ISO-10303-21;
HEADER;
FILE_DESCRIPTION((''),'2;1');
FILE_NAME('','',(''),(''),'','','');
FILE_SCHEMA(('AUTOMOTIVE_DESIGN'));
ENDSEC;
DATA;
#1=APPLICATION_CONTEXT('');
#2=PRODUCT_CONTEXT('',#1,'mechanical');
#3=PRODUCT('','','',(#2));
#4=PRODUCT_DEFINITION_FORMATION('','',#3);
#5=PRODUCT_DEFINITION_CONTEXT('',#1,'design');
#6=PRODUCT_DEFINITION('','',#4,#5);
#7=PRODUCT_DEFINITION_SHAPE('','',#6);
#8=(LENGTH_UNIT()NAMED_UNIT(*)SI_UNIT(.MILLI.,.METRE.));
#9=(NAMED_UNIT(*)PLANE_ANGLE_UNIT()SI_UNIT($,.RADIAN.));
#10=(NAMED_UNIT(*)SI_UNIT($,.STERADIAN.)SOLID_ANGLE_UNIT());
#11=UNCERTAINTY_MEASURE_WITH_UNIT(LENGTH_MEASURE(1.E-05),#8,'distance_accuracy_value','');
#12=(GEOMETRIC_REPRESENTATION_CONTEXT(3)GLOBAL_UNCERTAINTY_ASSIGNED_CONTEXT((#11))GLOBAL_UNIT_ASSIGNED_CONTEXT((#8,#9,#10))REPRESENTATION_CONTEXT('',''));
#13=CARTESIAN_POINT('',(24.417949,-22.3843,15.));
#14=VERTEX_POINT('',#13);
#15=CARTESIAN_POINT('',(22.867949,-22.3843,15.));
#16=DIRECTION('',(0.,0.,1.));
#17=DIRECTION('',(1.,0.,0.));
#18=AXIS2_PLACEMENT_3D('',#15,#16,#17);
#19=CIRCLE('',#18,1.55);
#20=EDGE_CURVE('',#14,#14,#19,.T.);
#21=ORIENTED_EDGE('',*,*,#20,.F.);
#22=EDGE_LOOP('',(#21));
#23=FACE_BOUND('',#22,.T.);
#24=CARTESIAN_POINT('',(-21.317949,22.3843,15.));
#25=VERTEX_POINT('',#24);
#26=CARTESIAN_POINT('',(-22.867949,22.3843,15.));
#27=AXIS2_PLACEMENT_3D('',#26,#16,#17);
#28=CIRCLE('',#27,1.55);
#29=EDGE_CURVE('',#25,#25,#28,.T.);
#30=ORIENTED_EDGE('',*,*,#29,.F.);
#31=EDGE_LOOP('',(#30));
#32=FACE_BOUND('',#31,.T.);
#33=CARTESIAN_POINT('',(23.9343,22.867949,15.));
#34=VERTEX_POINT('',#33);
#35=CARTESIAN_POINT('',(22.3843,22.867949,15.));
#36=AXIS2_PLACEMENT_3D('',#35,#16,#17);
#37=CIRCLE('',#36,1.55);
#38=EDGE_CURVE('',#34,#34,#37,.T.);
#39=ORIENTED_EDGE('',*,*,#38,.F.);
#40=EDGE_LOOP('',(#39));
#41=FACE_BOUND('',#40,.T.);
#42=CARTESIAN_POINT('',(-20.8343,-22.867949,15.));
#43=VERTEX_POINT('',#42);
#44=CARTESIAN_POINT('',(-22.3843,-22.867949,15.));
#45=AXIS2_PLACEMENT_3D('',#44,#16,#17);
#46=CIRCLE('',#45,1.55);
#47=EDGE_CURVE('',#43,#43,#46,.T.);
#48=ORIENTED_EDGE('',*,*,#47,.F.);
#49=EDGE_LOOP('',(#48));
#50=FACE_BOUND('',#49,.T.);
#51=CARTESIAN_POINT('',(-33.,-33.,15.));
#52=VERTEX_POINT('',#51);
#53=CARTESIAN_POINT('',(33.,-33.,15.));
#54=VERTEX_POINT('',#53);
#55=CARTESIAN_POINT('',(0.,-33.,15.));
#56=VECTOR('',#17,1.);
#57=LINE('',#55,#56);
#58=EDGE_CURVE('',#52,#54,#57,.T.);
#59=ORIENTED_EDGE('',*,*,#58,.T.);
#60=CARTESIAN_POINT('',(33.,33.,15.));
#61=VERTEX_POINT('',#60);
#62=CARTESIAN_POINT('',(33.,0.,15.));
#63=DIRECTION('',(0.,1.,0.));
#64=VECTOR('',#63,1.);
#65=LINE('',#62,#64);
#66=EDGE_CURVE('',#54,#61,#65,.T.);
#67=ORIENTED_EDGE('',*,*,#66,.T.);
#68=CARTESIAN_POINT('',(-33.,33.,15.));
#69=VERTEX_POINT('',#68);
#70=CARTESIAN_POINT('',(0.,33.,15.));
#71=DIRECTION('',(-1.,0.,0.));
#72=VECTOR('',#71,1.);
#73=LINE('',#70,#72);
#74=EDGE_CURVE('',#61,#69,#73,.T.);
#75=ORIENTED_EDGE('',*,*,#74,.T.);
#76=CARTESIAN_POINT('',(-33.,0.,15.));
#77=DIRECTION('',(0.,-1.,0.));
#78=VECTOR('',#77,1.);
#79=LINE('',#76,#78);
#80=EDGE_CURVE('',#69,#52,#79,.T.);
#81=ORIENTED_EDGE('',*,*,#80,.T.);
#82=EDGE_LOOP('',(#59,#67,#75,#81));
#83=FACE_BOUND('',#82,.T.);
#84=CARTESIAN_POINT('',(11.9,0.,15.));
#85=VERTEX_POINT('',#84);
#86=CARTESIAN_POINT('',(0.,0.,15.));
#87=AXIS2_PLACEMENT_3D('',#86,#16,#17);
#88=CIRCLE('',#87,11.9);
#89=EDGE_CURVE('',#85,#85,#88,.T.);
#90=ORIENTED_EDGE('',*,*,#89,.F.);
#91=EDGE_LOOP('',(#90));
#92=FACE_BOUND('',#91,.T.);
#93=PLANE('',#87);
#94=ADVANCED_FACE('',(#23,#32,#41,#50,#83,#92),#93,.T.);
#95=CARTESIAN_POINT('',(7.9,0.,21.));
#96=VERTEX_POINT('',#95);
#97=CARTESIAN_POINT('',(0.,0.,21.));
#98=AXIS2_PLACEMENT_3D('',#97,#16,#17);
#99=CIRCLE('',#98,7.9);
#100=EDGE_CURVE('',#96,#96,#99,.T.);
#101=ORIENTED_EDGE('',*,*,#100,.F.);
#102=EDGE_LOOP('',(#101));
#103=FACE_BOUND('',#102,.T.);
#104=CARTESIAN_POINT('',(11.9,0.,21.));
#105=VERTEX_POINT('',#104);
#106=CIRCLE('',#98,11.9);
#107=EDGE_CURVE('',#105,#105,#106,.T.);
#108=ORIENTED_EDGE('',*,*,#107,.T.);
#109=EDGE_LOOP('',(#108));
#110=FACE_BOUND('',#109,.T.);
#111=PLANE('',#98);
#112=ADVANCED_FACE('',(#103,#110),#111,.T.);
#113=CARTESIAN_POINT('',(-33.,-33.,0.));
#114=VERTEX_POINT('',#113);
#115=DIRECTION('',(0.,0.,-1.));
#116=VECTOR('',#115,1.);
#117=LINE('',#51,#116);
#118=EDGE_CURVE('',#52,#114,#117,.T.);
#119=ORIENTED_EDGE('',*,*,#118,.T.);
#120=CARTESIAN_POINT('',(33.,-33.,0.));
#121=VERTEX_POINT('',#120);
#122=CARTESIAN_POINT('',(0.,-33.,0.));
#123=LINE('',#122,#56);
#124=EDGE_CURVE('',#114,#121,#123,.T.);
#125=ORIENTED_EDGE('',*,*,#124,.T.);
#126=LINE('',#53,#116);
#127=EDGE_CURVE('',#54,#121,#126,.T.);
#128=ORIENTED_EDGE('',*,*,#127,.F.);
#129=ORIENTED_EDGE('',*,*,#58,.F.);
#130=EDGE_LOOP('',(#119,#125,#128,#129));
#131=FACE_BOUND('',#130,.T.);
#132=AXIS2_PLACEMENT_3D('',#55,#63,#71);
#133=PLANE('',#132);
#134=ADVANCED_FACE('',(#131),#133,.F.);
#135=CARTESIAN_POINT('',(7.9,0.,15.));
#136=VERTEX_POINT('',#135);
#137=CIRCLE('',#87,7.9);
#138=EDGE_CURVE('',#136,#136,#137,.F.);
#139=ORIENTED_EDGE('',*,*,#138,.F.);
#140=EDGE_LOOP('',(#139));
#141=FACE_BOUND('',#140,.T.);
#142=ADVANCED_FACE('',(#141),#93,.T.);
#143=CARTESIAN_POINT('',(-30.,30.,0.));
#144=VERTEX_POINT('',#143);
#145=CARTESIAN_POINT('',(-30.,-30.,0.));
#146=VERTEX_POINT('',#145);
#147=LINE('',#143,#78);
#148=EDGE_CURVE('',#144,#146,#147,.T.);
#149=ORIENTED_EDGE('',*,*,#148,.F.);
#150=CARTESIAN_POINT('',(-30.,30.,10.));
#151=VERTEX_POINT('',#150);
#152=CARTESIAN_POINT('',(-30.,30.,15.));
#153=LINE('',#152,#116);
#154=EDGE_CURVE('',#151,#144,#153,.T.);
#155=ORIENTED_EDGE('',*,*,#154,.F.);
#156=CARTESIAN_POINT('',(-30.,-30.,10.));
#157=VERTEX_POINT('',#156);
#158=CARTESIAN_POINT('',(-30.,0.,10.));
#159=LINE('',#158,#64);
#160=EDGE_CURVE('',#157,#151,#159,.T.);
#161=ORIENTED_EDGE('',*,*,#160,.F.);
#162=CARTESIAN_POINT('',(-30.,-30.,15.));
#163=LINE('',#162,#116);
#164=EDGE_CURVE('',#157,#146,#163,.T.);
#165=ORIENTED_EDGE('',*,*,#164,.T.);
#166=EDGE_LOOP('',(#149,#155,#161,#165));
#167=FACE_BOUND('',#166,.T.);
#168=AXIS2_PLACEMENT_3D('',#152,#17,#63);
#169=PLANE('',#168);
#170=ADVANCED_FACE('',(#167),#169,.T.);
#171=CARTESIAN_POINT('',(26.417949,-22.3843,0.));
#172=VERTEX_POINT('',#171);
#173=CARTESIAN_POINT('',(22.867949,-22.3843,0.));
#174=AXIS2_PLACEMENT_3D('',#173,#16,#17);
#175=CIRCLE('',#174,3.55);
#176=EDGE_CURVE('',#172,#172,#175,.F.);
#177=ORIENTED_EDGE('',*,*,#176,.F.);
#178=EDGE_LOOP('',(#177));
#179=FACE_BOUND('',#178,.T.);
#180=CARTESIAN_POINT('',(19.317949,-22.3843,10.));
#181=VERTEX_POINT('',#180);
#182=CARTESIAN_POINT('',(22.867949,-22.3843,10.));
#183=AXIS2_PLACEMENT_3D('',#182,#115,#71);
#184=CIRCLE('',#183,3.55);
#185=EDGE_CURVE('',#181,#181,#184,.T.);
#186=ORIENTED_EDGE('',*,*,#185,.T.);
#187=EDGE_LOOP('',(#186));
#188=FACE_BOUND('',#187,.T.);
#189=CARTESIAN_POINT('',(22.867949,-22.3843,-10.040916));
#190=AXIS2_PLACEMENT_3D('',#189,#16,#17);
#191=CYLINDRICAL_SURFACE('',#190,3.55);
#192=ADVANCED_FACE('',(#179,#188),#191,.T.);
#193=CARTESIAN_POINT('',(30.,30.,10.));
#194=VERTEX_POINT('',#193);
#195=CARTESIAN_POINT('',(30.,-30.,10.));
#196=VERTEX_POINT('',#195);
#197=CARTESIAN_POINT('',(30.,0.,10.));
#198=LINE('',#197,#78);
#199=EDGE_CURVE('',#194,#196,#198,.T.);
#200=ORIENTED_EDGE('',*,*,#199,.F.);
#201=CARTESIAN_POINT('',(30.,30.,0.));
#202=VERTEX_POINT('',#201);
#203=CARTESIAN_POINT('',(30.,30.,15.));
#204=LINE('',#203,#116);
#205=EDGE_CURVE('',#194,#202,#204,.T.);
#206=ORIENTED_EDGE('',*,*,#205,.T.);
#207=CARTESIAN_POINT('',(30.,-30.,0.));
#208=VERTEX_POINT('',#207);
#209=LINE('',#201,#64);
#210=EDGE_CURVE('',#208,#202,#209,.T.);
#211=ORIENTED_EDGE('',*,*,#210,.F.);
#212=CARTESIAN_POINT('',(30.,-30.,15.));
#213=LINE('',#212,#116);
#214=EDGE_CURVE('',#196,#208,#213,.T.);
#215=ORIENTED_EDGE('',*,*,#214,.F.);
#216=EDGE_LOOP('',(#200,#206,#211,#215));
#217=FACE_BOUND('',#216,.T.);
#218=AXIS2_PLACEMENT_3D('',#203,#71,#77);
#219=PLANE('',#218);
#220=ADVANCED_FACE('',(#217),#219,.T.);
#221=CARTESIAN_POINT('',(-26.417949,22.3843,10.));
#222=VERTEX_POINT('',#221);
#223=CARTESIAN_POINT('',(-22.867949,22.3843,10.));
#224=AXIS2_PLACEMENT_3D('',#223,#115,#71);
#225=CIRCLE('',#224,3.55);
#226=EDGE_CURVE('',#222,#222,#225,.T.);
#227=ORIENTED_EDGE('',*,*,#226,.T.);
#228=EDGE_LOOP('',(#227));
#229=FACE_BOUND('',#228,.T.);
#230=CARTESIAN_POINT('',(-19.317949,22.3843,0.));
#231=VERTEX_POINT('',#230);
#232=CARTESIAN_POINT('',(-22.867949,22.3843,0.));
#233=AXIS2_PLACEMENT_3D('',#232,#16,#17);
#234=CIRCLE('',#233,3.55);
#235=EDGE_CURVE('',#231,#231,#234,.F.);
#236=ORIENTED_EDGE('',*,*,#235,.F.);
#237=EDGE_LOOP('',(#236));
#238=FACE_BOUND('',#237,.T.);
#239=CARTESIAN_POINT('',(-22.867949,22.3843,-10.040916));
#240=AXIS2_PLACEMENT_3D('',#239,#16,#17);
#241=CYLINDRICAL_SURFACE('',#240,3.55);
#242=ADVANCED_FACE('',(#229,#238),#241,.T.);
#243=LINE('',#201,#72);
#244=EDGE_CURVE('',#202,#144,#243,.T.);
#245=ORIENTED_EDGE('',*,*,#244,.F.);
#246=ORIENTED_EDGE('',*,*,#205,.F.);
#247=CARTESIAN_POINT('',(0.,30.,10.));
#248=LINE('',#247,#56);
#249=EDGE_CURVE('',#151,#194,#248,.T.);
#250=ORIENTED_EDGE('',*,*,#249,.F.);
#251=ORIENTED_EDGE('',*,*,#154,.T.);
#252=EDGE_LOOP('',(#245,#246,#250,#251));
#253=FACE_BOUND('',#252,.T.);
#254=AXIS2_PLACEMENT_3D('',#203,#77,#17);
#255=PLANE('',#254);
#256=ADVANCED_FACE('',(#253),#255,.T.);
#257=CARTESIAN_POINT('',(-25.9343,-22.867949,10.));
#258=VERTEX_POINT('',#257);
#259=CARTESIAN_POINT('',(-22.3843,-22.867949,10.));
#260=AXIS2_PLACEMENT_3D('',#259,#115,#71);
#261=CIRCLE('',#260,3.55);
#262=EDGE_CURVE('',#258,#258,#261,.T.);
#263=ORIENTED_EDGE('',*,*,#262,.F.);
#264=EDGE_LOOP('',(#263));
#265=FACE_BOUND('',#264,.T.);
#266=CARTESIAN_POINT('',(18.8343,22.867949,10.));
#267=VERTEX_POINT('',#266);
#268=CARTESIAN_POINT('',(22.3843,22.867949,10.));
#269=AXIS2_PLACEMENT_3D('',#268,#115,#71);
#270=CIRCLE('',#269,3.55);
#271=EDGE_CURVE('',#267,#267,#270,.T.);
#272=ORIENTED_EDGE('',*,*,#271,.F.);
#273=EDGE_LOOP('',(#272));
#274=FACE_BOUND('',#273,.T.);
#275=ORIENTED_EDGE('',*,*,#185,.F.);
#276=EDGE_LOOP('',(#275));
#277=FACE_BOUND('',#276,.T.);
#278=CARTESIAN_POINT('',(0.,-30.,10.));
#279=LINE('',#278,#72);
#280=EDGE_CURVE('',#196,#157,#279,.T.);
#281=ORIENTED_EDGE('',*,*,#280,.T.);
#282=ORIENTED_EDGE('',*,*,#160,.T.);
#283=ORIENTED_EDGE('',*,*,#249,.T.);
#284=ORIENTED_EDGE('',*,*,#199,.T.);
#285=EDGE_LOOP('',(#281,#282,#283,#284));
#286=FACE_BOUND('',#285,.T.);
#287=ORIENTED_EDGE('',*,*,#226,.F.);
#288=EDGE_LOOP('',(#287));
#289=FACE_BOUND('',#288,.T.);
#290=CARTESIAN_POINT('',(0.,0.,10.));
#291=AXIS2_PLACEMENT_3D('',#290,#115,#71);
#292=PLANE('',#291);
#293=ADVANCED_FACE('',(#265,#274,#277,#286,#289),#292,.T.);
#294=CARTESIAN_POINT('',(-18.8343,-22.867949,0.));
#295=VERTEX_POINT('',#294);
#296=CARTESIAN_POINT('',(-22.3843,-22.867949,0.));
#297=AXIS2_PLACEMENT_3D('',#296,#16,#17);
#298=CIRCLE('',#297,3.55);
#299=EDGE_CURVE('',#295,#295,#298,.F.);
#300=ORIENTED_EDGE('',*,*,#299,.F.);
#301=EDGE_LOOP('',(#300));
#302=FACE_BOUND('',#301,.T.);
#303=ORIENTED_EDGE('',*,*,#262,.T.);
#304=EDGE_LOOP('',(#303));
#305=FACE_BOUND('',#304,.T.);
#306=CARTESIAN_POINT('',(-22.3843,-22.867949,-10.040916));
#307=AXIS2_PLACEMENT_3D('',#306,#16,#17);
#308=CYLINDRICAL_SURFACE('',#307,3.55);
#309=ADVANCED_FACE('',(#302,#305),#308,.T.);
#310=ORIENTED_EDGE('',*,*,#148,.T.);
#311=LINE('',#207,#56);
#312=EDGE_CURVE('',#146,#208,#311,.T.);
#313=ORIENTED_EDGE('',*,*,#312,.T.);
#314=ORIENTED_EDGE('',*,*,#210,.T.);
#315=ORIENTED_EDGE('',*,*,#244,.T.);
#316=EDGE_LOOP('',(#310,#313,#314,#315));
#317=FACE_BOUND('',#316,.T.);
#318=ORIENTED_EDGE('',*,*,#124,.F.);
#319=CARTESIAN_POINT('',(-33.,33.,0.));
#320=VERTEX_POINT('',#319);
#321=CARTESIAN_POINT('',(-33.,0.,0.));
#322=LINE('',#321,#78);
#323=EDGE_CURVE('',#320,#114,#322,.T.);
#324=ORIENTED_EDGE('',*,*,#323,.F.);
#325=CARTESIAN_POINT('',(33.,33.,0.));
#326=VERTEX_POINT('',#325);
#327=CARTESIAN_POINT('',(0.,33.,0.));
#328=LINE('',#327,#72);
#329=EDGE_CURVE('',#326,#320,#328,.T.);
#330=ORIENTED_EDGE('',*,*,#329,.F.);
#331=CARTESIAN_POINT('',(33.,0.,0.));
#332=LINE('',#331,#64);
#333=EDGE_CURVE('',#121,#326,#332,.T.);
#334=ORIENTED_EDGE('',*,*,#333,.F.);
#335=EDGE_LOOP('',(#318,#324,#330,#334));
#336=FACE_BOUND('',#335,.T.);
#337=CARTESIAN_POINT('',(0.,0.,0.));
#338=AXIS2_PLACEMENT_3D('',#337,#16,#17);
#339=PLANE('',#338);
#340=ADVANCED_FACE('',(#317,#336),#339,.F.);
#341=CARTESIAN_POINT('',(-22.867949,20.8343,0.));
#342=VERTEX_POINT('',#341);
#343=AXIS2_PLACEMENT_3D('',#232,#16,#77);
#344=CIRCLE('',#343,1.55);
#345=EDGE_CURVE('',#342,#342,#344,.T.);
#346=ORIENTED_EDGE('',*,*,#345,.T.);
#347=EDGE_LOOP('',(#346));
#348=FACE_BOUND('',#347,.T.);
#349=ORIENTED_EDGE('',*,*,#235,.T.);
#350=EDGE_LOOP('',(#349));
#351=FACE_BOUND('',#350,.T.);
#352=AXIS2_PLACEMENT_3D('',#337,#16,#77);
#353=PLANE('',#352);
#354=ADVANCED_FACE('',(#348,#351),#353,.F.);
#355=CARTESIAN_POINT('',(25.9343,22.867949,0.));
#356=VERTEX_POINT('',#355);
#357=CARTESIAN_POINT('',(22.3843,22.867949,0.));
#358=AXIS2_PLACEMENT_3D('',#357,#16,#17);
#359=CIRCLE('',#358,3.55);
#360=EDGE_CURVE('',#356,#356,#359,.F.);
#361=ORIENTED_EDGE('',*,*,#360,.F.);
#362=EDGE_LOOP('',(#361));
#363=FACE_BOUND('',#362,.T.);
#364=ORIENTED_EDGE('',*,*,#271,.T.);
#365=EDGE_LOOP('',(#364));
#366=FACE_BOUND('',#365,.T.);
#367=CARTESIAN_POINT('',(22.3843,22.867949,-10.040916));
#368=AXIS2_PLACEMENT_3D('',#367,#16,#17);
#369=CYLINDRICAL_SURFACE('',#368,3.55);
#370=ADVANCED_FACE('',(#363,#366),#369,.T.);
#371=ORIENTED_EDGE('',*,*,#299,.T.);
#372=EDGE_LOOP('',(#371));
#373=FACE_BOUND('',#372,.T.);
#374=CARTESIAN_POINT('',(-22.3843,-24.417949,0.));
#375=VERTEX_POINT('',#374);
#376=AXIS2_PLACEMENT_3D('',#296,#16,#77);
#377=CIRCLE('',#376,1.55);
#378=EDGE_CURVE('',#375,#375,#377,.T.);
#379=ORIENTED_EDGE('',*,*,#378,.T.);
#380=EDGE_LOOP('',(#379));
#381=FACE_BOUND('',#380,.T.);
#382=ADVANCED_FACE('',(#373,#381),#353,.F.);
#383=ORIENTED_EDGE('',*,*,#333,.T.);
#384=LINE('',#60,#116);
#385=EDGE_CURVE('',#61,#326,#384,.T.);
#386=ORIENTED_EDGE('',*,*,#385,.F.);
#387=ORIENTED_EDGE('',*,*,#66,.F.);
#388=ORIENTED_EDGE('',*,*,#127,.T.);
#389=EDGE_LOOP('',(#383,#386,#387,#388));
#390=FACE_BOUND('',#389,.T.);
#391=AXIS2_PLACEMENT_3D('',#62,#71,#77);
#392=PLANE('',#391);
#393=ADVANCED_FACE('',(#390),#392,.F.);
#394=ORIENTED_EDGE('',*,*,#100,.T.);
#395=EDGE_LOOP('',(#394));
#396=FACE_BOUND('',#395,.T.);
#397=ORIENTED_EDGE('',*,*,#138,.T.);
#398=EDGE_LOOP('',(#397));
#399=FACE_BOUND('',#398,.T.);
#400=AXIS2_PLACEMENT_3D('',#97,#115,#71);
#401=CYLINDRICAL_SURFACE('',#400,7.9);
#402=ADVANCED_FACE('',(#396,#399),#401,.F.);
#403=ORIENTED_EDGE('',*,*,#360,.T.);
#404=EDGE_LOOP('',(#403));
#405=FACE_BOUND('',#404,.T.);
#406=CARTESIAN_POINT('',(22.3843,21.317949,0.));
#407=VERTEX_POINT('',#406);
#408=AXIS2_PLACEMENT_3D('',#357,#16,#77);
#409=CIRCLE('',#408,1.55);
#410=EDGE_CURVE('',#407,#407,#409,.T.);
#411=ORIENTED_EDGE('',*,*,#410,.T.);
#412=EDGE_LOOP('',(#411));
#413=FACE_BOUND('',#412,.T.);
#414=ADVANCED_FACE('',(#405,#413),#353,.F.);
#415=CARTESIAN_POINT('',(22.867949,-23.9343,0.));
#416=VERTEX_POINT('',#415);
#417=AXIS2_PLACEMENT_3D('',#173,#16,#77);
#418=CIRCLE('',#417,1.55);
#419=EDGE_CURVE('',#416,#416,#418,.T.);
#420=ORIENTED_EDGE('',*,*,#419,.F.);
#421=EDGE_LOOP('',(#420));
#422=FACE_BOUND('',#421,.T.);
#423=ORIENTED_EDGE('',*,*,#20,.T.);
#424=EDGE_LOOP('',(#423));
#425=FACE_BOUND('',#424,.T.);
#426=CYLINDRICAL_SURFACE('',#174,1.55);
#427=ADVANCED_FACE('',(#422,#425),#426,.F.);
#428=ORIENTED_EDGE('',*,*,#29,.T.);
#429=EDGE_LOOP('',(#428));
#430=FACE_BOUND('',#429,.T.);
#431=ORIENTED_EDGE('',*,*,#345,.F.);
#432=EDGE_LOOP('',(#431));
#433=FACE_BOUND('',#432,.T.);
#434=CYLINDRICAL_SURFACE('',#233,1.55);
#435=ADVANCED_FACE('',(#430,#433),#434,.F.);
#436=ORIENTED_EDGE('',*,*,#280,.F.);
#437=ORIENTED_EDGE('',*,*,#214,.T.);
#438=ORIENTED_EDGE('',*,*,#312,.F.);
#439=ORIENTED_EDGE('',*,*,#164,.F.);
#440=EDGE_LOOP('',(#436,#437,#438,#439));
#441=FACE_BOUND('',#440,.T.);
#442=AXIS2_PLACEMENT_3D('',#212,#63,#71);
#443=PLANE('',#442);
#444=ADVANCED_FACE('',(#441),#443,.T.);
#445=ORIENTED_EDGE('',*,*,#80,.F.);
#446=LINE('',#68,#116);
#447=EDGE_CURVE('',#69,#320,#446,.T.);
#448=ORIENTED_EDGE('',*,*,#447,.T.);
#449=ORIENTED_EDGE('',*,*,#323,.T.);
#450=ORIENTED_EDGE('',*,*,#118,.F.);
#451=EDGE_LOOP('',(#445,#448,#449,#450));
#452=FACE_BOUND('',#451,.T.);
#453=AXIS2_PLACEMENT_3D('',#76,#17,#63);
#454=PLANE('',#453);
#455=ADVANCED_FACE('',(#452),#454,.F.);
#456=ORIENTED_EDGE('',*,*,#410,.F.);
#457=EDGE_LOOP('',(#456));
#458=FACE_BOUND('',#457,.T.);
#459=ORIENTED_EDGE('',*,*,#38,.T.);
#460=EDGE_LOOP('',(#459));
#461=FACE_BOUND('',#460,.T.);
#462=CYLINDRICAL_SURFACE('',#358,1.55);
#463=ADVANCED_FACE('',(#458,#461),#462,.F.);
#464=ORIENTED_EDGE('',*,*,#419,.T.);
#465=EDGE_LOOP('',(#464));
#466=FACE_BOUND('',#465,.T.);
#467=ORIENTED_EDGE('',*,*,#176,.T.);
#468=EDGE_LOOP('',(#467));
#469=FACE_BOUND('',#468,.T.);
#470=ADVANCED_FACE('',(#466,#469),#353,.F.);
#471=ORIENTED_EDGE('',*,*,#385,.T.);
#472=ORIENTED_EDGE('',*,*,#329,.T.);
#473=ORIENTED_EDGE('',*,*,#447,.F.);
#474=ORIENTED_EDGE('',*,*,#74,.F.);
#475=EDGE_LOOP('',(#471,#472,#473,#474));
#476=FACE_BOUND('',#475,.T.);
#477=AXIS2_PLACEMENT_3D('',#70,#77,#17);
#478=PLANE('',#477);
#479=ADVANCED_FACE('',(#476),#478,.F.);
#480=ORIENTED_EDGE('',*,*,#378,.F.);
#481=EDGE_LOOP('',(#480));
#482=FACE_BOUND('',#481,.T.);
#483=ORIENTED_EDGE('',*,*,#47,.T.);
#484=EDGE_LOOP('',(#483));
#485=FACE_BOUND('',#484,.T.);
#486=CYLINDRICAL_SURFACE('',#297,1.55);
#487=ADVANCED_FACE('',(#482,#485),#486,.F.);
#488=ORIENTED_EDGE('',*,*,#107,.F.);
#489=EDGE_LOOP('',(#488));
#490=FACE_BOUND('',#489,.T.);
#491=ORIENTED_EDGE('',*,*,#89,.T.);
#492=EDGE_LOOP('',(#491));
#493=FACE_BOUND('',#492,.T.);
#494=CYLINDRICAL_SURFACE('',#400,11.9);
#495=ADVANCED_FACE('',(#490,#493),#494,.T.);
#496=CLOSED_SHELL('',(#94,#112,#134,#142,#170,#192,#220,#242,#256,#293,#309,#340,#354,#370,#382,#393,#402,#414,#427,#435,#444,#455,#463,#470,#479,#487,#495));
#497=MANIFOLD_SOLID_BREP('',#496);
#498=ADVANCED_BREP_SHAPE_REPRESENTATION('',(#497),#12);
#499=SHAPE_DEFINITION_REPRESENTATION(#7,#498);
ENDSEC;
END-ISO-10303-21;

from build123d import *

# Parameters (mm, degrees)
SKETCH1_W           = 66
SKETCH1_H           = 66
SKETCH1_W_2         = 60
SKETCH1_H_2         = 60
EXTRUDE_THIN1_DEPTH = 15
BOSS_EXTRUDE1_START = 15
SKETCH1_2_W         = 60
SKETCH1_2_H         = 60
BOSS_EXTRUDE1_DEPTH = 5
SKETCH2_R           = 1.55
CUT_EXTRUDE1_DEPTH  = 50.020403915
SKETCH2_2_R         = 3.55
SKETCH2_2_R_2       = 1.55
EXTRUDE_THIN2_DEPTH = 15
SKETCH3_R           = 11.9
SKETCH3_R_2         = 7.9
BOSS_EXTRUDE2_DEPTH = 6


with BuildPart() as part:
    # Sketch1 → Extrude-Thin1 (new body)
    with BuildSketch(Plane.XY):
        Rectangle(SKETCH1_W, SKETCH1_H)
        Rectangle(SKETCH1_W_2, SKETCH1_H_2, mode=Mode.SUBTRACT)
    extrude(amount=EXTRUDE_THIN1_DEPTH)

    # Sketch1<2> → Boss-Extrude1 (add)
    with BuildSketch(Plane.XY.offset(BOSS_EXTRUDE1_START)):
        Rectangle(SKETCH1_2_W, SKETCH1_2_H)
    extrude(amount=-BOSS_EXTRUDE1_DEPTH)

    # Sketch2 → Cut-Extrude1 (cut, through all)
    with BuildSketch(Plane.XY.offset(15)):
        with Locations((22.384300197, 22.867949289)):
            Circle(SKETCH2_R)
        with Locations((22.867949289, -22.384300197)):
            Circle(SKETCH2_R)
        with Locations((-22.384300197, -22.867949289)):
            Circle(SKETCH2_R)
        with Locations((-22.867949289, 22.384300197)):
            Circle(SKETCH2_R)
    extrude(amount=-CUT_EXTRUDE1_DEPTH, mode=Mode.SUBTRACT)

    # Sketch2<2> → Extrude-Thin2 (add)
    # profile 1 of 4: a face of its own
    with BuildSketch(Plane.XY.offset(15)):
        with Locations((22.384300197, 22.867949289)):
            Circle(SKETCH2_2_R)
        with Locations((22.384300197, 22.867949289)):
            Circle(SKETCH2_2_R_2, mode=Mode.SUBTRACT)
    # profile 2 of 4: a face of its own
    with BuildSketch(Plane.XY.offset(15)):
        with Locations((22.867949289, -22.384300197)):
            Circle(SKETCH2_2_R)
        with Locations((22.867949289, -22.384300197)):
            Circle(SKETCH2_2_R_2, mode=Mode.SUBTRACT)
    # profile 3 of 4: a face of its own
    with BuildSketch(Plane.XY.offset(15)):
        with Locations((-22.384300197, -22.867949289)):
            Circle(SKETCH2_2_R)
        with Locations((-22.384300197, -22.867949289)):
            Circle(SKETCH2_2_R_2, mode=Mode.SUBTRACT)
    # profile 4 of 4: a face of its own
    with BuildSketch(Plane.XY.offset(15)):
        with Locations((-22.867949289, 22.384300197)):
            Circle(SKETCH2_2_R)
        with Locations((-22.867949289, 22.384300197)):
            Circle(SKETCH2_2_R_2, mode=Mode.SUBTRACT)
    extrude(amount=-EXTRUDE_THIN2_DEPTH)

    # Sketch3 → Boss-Extrude2 (add)
    with BuildSketch(Plane.XY.offset(15)):
        Circle(SKETCH3_R)
        Circle(SKETCH3_R_2, mode=Mode.SUBTRACT)
    extrude(amount=BOSS_EXTRUDE2_DEPTH)


solid = part.part
